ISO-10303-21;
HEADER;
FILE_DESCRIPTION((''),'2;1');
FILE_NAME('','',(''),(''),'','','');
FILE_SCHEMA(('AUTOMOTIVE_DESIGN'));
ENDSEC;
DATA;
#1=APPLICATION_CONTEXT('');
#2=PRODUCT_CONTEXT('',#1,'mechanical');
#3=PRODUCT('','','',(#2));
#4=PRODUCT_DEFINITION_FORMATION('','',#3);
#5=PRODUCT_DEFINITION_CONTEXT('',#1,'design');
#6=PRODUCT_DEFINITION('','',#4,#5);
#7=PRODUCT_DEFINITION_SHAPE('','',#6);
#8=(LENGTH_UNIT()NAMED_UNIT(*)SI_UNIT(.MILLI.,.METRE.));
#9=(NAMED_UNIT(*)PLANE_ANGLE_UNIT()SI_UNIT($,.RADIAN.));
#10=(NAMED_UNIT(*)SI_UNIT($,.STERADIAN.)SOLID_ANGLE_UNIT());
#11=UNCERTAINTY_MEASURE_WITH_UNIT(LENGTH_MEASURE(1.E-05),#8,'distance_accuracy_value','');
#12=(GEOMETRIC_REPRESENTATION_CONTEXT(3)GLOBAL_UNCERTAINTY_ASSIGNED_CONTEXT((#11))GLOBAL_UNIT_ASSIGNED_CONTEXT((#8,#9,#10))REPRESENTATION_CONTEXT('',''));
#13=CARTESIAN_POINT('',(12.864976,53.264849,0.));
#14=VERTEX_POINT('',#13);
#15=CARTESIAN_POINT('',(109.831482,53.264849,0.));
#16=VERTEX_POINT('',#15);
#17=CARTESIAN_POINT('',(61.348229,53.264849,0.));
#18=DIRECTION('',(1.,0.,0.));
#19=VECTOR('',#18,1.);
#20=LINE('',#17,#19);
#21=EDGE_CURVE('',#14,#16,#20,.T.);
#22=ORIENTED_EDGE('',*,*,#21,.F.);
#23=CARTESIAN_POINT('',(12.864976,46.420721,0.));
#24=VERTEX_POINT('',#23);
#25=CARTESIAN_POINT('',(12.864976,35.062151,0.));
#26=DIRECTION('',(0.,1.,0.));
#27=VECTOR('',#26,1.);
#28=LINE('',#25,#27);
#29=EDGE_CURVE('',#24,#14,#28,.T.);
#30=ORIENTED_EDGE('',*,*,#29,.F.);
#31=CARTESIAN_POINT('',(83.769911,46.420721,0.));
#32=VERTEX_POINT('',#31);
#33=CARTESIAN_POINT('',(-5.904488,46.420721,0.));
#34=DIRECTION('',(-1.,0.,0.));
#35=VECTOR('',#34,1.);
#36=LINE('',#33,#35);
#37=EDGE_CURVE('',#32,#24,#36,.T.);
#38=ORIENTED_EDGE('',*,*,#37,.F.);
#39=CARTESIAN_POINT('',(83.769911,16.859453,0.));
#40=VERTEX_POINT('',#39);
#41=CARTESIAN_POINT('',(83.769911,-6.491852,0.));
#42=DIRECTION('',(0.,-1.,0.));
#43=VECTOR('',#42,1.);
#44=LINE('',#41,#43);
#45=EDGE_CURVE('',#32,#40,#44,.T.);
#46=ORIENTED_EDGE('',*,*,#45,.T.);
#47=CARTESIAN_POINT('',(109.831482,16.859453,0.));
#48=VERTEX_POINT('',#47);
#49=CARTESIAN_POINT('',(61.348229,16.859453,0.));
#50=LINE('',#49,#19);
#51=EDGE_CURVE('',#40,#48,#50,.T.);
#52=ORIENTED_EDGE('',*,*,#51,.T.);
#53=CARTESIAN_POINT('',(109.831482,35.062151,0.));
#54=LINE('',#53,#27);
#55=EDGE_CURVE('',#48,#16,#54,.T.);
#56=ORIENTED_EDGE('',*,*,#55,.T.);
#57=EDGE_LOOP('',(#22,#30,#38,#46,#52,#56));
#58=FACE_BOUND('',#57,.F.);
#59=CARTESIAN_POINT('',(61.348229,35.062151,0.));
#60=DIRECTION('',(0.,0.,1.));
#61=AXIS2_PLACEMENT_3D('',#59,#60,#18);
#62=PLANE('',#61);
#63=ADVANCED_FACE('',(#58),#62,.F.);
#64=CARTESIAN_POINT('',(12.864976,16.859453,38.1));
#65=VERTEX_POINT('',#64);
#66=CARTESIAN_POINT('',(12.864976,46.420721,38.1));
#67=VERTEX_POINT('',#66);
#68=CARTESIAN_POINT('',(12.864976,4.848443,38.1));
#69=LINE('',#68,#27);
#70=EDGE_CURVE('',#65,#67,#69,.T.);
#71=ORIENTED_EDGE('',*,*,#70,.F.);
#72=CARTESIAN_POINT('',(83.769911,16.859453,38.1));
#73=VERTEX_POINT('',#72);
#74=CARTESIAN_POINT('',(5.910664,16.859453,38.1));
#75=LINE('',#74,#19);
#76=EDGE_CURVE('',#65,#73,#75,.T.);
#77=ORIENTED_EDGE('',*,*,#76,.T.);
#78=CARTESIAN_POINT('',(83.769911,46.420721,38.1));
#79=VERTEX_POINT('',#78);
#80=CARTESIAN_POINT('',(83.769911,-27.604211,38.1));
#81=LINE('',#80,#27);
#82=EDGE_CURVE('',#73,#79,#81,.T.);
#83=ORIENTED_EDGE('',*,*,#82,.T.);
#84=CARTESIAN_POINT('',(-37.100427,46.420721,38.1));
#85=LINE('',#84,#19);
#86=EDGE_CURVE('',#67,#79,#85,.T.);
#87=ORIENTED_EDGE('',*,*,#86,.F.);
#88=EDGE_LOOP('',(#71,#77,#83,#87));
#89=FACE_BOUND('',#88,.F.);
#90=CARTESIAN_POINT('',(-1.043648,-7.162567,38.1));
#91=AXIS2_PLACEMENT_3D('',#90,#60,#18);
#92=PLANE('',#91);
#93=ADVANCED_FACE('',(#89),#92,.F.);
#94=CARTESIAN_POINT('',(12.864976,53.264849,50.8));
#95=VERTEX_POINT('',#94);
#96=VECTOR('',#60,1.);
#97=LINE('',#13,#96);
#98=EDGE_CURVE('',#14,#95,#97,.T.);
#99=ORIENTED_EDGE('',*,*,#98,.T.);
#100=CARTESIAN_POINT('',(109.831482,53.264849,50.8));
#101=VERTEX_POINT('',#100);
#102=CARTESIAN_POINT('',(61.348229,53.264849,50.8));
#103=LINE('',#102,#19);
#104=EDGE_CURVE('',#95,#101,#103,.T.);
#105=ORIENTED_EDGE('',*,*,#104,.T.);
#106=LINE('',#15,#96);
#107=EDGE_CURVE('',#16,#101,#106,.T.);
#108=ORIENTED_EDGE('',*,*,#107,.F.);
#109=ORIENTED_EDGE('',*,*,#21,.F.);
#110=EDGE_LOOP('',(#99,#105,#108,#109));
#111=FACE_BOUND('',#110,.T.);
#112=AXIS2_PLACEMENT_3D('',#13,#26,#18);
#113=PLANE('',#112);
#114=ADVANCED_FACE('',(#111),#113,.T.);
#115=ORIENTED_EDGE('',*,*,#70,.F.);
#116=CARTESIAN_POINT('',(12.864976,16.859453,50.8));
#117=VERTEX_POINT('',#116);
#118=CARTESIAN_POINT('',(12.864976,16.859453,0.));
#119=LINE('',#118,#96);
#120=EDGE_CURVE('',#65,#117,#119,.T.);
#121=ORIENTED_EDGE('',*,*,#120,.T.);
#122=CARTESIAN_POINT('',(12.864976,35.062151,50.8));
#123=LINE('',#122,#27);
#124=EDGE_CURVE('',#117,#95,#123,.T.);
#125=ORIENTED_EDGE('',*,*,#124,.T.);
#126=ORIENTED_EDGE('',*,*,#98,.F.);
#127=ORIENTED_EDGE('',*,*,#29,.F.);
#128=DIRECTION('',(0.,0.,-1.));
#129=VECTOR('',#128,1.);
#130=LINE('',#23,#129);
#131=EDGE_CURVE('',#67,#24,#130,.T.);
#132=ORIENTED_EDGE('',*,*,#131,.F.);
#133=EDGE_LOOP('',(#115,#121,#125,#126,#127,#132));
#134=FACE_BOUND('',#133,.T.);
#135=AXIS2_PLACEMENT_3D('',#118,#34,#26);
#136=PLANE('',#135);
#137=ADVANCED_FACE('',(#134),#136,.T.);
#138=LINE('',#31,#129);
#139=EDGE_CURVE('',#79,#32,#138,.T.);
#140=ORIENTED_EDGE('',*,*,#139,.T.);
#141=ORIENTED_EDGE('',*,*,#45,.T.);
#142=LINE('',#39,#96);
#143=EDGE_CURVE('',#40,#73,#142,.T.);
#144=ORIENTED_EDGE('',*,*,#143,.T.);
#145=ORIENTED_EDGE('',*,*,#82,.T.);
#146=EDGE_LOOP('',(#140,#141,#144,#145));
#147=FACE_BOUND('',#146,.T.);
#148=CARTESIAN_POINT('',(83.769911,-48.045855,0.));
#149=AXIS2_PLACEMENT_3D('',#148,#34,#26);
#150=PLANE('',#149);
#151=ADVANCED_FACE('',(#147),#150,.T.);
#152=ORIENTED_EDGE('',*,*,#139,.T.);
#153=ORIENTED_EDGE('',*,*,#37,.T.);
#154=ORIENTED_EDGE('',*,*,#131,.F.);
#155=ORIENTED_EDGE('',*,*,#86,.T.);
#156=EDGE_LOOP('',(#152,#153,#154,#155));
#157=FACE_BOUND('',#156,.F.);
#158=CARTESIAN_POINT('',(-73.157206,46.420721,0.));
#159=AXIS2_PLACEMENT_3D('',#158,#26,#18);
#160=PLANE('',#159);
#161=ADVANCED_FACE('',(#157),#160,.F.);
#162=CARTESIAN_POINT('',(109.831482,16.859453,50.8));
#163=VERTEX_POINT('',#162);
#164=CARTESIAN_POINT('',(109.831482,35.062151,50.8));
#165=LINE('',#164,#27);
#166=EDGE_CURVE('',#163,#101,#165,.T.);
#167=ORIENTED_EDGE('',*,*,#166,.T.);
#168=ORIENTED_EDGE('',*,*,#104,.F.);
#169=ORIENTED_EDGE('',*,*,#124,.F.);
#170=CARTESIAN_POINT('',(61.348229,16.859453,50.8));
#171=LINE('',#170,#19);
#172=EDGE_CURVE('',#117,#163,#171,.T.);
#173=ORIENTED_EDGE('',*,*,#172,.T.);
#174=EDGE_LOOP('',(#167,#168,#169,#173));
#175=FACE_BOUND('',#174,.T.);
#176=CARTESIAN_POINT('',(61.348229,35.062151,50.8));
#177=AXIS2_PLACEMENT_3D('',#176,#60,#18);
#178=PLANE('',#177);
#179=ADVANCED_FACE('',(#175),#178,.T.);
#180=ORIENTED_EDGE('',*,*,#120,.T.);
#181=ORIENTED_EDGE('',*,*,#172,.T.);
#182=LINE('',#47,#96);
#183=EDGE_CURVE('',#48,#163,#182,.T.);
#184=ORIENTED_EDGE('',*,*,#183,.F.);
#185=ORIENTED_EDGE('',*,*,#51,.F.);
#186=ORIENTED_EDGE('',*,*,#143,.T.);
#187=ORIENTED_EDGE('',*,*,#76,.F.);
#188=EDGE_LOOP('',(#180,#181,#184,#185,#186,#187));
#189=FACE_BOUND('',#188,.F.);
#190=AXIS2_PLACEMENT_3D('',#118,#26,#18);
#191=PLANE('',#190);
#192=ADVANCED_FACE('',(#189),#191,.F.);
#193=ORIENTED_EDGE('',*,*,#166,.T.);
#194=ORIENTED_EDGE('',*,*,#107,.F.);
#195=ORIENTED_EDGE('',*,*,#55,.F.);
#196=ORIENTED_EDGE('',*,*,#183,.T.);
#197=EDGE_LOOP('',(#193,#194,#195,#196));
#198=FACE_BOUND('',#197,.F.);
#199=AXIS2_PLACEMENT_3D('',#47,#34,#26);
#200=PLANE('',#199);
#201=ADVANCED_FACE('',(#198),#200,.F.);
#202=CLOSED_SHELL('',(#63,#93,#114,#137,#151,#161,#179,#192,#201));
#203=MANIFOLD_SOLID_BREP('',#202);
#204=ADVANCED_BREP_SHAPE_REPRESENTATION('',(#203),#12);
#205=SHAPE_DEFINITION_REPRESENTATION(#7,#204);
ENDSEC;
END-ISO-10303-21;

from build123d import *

# Parameters (mm, degrees)
F0_W      = 144.2271173
F0_H      = 81.7665755749
F1_DEPTH  = 25.4
F2_W      = 96.966505982
F2_H      = 36.4053957164
F3_DEPTH  = 50.8
F4_OFFSET = 12.7


with BuildPart() as f1:
    # F0 (on Top) → F1 (new body)
    with BuildSketch(Plane.XY):
        with Locations((-1.0436475277, -7.1625672281)):
            Rectangle(F0_W, F0_H)
    extrude(amount=F1_DEPTH)


with BuildPart() as f3:
    # F2 (on Top) → F3 (new body)
    with BuildSketch(Plane.XY):
        with Locations((61.348229181, 35.0621510297)):
            Rectangle(F2_W, F2_H)
    extrude(amount=F3_DEPTH)

    # F4: cut F1, made larger all round first
    f4_tool = offset(f1.part, amount=F4_OFFSET, kind=Kind.INTERSECTION, mode=Mode.PRIVATE)
    add(f4_tool, mode=Mode.SUBTRACT)


solid = f3.part
